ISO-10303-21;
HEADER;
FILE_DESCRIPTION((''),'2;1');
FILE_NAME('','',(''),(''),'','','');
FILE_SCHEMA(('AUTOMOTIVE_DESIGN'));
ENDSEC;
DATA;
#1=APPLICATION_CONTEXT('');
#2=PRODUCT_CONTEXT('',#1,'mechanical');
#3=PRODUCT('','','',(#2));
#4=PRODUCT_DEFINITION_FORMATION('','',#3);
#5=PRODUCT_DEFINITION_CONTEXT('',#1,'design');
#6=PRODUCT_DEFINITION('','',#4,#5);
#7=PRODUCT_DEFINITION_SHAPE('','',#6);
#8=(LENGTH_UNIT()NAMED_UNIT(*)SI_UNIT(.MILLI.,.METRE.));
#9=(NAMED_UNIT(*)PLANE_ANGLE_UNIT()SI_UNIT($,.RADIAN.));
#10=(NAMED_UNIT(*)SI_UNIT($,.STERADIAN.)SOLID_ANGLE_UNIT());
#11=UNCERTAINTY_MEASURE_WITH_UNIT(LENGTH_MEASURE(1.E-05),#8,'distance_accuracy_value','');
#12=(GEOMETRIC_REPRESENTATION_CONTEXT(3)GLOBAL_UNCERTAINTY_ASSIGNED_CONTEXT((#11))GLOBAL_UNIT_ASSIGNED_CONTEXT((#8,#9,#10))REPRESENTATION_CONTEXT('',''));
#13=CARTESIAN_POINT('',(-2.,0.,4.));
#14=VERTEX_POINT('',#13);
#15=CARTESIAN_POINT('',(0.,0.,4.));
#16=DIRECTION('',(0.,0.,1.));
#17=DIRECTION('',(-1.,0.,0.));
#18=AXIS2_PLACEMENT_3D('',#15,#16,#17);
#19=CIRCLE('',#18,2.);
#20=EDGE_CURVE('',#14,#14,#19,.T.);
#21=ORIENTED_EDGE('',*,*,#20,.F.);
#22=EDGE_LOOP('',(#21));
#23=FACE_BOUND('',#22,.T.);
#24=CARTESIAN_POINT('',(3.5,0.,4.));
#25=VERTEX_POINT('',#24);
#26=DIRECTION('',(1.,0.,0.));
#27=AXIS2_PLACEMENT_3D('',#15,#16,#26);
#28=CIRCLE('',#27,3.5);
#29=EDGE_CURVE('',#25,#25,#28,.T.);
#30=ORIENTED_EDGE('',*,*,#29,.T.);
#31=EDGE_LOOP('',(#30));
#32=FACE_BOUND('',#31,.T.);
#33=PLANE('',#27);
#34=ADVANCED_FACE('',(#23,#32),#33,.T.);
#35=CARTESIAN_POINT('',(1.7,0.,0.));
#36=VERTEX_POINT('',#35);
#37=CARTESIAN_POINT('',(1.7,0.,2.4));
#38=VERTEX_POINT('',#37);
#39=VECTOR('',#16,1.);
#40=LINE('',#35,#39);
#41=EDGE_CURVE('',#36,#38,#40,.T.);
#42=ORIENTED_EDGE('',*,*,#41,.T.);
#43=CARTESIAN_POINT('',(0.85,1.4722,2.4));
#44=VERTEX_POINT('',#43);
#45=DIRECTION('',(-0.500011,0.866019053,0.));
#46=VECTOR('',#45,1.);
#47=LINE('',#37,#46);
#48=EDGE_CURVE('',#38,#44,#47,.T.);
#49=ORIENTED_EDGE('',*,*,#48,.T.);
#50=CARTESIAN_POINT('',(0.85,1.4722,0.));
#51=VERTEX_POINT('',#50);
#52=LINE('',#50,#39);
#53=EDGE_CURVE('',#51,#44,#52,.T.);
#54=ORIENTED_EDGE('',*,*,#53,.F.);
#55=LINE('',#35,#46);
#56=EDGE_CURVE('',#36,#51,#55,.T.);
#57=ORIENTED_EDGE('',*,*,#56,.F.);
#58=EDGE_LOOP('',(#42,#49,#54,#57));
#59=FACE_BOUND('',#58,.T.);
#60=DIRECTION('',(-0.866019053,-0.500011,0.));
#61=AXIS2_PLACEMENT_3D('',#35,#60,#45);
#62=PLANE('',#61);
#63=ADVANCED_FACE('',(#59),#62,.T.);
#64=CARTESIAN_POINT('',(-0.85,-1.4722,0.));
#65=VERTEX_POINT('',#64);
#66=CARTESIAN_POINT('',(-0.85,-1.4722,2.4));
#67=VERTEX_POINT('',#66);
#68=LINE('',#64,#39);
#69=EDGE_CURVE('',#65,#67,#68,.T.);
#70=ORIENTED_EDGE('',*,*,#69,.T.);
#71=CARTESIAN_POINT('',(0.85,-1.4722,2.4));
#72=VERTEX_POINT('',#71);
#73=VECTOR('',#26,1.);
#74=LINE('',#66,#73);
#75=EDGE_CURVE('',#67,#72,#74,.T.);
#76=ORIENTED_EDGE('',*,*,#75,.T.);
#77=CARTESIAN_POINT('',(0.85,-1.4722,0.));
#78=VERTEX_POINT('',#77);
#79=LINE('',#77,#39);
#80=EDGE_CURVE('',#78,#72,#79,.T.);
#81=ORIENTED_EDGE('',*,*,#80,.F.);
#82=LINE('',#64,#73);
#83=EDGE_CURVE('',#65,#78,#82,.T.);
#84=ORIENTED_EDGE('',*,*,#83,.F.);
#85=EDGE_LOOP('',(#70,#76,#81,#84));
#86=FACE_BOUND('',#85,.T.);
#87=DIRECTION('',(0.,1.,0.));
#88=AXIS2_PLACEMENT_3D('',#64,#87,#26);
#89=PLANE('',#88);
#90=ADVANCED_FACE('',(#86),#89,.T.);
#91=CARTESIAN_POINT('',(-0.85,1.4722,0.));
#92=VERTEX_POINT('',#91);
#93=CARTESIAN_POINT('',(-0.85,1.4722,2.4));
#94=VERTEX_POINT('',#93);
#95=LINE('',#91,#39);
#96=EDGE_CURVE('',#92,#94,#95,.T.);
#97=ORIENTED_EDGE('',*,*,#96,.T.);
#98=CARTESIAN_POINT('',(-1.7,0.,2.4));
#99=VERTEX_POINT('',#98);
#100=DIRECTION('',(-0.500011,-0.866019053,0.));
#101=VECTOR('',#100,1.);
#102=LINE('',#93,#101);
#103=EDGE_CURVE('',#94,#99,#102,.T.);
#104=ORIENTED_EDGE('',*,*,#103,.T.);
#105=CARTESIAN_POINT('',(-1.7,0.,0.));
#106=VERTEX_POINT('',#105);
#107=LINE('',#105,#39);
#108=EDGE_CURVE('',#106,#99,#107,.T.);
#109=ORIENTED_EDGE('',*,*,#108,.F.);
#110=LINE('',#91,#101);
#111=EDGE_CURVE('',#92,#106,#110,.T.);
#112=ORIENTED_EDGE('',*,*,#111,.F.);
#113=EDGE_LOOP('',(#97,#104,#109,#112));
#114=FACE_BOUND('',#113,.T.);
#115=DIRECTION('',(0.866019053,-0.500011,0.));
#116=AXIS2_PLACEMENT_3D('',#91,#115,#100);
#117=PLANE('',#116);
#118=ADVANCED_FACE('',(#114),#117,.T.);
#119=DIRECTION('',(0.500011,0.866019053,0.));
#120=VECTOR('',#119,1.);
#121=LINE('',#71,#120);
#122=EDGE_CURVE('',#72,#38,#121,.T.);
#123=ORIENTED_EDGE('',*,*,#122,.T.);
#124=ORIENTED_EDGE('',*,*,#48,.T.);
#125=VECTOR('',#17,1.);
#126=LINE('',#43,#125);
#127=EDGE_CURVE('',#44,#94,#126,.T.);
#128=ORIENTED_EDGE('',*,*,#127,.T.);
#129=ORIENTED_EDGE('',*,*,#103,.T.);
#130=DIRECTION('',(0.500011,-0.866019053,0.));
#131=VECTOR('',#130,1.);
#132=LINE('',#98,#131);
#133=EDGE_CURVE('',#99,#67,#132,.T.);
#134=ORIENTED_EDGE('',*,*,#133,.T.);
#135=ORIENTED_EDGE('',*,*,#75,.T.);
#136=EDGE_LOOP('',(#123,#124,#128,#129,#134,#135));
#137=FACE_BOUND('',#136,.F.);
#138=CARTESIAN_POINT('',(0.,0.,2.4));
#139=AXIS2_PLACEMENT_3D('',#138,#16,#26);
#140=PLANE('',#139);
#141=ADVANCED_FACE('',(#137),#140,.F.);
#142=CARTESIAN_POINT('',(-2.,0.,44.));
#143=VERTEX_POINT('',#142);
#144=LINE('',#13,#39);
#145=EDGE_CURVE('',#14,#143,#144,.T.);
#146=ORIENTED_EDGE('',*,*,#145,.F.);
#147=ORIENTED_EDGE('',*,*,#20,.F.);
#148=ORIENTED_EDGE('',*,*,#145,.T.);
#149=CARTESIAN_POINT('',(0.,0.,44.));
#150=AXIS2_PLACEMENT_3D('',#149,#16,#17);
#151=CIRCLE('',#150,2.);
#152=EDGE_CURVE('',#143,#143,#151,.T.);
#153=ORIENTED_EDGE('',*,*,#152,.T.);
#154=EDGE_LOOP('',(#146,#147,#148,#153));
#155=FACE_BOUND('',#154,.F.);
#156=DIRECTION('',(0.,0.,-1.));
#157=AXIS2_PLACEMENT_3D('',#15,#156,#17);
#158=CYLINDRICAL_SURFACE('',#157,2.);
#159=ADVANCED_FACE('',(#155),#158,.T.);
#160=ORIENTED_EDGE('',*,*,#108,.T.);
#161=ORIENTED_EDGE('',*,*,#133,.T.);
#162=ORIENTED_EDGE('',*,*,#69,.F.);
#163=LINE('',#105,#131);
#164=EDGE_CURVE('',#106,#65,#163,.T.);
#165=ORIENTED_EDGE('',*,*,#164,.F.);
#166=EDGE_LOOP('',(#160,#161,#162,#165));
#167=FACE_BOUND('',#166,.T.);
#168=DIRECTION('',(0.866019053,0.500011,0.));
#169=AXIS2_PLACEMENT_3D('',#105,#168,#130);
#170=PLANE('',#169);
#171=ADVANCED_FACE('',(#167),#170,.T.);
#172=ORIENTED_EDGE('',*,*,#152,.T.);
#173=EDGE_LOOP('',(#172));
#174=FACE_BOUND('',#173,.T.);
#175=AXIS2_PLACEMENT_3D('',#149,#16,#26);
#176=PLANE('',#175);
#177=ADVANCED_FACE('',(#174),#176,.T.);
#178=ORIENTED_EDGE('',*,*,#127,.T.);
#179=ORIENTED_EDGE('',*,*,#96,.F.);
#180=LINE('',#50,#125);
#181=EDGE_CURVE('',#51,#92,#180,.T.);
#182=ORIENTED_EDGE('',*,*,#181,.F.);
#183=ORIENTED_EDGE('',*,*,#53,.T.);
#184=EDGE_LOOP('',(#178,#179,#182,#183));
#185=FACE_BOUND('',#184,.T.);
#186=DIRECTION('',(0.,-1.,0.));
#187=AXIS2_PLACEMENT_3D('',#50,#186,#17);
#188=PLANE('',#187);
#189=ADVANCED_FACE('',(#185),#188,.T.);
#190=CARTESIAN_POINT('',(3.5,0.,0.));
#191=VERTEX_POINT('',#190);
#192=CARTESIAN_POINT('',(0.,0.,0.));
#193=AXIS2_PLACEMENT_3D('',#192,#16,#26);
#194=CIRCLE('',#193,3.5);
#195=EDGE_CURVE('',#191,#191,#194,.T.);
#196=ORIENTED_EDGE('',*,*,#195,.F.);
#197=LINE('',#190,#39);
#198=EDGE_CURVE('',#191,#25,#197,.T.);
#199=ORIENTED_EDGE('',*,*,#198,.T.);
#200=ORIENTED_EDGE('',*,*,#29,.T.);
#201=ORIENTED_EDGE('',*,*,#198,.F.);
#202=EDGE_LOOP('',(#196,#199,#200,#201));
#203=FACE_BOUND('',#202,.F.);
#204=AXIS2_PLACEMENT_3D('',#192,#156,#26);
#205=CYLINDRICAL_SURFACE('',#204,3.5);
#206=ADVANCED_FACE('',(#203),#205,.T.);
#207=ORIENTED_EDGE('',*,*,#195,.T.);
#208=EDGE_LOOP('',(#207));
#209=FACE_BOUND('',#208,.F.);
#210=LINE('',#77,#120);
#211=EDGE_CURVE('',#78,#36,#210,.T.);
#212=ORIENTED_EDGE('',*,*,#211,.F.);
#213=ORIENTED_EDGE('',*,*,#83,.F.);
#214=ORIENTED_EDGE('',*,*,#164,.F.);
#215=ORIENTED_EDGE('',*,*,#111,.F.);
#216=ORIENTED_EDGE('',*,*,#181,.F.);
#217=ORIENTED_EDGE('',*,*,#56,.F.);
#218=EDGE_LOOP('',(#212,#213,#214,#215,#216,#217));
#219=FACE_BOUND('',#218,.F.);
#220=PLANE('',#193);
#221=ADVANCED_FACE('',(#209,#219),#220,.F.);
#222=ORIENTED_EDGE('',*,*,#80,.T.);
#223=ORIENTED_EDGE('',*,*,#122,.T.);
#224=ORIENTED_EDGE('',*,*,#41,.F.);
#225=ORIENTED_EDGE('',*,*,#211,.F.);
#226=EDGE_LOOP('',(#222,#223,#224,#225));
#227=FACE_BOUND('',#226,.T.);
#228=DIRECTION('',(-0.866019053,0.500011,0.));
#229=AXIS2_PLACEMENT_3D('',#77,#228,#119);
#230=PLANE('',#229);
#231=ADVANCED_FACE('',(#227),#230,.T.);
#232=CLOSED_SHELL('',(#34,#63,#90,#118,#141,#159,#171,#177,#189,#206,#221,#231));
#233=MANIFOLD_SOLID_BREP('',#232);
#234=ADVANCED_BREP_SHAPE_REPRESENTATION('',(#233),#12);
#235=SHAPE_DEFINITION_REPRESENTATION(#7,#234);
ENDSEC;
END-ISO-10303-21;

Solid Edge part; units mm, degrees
sketch "Sketch1" plane through (0, 0, 0) normal (0, 0, 1) x (1, 0, 0)
  circle A0 centre (0, 0) radius 3.5
extrude "Protrusion1" add sketch "Sketch1" along normal blind 4
sketch "Sketch2" plane through (0, 0, 0) normal (0, 0, -1) x (1, 0, 0)
  line L0 (0.85, 1.4722) -> (1.7, 0)
  line L1 (1.7, 0) -> (0.85, -1.4722)
  line L2 (0.85, -1.4722) -> (-0.85, -1.4722)
  line L3 (-0.85, -1.4722) -> (-1.7, 0)
  line L4 (-1.7, 0) -> (-0.85, 1.4722)
  line L5 (-0.85, 1.4722) -> (0.85, 1.4722)
extrude "ExtrudedCutout_1" cut sketch "Sketch2" against normal blind 2.4
sketch "Sketch3" plane through (0, 0, 4) normal (0, 0, 1) x (-1, 0, 0)
  circle A0 centre (0, 0) radius 2
extrude "ExtrudedProtrusion_2" add sketch "Sketch3" along normal blind 40
cosmetic_thread "Thread_2" size "M4" thread depth 20
